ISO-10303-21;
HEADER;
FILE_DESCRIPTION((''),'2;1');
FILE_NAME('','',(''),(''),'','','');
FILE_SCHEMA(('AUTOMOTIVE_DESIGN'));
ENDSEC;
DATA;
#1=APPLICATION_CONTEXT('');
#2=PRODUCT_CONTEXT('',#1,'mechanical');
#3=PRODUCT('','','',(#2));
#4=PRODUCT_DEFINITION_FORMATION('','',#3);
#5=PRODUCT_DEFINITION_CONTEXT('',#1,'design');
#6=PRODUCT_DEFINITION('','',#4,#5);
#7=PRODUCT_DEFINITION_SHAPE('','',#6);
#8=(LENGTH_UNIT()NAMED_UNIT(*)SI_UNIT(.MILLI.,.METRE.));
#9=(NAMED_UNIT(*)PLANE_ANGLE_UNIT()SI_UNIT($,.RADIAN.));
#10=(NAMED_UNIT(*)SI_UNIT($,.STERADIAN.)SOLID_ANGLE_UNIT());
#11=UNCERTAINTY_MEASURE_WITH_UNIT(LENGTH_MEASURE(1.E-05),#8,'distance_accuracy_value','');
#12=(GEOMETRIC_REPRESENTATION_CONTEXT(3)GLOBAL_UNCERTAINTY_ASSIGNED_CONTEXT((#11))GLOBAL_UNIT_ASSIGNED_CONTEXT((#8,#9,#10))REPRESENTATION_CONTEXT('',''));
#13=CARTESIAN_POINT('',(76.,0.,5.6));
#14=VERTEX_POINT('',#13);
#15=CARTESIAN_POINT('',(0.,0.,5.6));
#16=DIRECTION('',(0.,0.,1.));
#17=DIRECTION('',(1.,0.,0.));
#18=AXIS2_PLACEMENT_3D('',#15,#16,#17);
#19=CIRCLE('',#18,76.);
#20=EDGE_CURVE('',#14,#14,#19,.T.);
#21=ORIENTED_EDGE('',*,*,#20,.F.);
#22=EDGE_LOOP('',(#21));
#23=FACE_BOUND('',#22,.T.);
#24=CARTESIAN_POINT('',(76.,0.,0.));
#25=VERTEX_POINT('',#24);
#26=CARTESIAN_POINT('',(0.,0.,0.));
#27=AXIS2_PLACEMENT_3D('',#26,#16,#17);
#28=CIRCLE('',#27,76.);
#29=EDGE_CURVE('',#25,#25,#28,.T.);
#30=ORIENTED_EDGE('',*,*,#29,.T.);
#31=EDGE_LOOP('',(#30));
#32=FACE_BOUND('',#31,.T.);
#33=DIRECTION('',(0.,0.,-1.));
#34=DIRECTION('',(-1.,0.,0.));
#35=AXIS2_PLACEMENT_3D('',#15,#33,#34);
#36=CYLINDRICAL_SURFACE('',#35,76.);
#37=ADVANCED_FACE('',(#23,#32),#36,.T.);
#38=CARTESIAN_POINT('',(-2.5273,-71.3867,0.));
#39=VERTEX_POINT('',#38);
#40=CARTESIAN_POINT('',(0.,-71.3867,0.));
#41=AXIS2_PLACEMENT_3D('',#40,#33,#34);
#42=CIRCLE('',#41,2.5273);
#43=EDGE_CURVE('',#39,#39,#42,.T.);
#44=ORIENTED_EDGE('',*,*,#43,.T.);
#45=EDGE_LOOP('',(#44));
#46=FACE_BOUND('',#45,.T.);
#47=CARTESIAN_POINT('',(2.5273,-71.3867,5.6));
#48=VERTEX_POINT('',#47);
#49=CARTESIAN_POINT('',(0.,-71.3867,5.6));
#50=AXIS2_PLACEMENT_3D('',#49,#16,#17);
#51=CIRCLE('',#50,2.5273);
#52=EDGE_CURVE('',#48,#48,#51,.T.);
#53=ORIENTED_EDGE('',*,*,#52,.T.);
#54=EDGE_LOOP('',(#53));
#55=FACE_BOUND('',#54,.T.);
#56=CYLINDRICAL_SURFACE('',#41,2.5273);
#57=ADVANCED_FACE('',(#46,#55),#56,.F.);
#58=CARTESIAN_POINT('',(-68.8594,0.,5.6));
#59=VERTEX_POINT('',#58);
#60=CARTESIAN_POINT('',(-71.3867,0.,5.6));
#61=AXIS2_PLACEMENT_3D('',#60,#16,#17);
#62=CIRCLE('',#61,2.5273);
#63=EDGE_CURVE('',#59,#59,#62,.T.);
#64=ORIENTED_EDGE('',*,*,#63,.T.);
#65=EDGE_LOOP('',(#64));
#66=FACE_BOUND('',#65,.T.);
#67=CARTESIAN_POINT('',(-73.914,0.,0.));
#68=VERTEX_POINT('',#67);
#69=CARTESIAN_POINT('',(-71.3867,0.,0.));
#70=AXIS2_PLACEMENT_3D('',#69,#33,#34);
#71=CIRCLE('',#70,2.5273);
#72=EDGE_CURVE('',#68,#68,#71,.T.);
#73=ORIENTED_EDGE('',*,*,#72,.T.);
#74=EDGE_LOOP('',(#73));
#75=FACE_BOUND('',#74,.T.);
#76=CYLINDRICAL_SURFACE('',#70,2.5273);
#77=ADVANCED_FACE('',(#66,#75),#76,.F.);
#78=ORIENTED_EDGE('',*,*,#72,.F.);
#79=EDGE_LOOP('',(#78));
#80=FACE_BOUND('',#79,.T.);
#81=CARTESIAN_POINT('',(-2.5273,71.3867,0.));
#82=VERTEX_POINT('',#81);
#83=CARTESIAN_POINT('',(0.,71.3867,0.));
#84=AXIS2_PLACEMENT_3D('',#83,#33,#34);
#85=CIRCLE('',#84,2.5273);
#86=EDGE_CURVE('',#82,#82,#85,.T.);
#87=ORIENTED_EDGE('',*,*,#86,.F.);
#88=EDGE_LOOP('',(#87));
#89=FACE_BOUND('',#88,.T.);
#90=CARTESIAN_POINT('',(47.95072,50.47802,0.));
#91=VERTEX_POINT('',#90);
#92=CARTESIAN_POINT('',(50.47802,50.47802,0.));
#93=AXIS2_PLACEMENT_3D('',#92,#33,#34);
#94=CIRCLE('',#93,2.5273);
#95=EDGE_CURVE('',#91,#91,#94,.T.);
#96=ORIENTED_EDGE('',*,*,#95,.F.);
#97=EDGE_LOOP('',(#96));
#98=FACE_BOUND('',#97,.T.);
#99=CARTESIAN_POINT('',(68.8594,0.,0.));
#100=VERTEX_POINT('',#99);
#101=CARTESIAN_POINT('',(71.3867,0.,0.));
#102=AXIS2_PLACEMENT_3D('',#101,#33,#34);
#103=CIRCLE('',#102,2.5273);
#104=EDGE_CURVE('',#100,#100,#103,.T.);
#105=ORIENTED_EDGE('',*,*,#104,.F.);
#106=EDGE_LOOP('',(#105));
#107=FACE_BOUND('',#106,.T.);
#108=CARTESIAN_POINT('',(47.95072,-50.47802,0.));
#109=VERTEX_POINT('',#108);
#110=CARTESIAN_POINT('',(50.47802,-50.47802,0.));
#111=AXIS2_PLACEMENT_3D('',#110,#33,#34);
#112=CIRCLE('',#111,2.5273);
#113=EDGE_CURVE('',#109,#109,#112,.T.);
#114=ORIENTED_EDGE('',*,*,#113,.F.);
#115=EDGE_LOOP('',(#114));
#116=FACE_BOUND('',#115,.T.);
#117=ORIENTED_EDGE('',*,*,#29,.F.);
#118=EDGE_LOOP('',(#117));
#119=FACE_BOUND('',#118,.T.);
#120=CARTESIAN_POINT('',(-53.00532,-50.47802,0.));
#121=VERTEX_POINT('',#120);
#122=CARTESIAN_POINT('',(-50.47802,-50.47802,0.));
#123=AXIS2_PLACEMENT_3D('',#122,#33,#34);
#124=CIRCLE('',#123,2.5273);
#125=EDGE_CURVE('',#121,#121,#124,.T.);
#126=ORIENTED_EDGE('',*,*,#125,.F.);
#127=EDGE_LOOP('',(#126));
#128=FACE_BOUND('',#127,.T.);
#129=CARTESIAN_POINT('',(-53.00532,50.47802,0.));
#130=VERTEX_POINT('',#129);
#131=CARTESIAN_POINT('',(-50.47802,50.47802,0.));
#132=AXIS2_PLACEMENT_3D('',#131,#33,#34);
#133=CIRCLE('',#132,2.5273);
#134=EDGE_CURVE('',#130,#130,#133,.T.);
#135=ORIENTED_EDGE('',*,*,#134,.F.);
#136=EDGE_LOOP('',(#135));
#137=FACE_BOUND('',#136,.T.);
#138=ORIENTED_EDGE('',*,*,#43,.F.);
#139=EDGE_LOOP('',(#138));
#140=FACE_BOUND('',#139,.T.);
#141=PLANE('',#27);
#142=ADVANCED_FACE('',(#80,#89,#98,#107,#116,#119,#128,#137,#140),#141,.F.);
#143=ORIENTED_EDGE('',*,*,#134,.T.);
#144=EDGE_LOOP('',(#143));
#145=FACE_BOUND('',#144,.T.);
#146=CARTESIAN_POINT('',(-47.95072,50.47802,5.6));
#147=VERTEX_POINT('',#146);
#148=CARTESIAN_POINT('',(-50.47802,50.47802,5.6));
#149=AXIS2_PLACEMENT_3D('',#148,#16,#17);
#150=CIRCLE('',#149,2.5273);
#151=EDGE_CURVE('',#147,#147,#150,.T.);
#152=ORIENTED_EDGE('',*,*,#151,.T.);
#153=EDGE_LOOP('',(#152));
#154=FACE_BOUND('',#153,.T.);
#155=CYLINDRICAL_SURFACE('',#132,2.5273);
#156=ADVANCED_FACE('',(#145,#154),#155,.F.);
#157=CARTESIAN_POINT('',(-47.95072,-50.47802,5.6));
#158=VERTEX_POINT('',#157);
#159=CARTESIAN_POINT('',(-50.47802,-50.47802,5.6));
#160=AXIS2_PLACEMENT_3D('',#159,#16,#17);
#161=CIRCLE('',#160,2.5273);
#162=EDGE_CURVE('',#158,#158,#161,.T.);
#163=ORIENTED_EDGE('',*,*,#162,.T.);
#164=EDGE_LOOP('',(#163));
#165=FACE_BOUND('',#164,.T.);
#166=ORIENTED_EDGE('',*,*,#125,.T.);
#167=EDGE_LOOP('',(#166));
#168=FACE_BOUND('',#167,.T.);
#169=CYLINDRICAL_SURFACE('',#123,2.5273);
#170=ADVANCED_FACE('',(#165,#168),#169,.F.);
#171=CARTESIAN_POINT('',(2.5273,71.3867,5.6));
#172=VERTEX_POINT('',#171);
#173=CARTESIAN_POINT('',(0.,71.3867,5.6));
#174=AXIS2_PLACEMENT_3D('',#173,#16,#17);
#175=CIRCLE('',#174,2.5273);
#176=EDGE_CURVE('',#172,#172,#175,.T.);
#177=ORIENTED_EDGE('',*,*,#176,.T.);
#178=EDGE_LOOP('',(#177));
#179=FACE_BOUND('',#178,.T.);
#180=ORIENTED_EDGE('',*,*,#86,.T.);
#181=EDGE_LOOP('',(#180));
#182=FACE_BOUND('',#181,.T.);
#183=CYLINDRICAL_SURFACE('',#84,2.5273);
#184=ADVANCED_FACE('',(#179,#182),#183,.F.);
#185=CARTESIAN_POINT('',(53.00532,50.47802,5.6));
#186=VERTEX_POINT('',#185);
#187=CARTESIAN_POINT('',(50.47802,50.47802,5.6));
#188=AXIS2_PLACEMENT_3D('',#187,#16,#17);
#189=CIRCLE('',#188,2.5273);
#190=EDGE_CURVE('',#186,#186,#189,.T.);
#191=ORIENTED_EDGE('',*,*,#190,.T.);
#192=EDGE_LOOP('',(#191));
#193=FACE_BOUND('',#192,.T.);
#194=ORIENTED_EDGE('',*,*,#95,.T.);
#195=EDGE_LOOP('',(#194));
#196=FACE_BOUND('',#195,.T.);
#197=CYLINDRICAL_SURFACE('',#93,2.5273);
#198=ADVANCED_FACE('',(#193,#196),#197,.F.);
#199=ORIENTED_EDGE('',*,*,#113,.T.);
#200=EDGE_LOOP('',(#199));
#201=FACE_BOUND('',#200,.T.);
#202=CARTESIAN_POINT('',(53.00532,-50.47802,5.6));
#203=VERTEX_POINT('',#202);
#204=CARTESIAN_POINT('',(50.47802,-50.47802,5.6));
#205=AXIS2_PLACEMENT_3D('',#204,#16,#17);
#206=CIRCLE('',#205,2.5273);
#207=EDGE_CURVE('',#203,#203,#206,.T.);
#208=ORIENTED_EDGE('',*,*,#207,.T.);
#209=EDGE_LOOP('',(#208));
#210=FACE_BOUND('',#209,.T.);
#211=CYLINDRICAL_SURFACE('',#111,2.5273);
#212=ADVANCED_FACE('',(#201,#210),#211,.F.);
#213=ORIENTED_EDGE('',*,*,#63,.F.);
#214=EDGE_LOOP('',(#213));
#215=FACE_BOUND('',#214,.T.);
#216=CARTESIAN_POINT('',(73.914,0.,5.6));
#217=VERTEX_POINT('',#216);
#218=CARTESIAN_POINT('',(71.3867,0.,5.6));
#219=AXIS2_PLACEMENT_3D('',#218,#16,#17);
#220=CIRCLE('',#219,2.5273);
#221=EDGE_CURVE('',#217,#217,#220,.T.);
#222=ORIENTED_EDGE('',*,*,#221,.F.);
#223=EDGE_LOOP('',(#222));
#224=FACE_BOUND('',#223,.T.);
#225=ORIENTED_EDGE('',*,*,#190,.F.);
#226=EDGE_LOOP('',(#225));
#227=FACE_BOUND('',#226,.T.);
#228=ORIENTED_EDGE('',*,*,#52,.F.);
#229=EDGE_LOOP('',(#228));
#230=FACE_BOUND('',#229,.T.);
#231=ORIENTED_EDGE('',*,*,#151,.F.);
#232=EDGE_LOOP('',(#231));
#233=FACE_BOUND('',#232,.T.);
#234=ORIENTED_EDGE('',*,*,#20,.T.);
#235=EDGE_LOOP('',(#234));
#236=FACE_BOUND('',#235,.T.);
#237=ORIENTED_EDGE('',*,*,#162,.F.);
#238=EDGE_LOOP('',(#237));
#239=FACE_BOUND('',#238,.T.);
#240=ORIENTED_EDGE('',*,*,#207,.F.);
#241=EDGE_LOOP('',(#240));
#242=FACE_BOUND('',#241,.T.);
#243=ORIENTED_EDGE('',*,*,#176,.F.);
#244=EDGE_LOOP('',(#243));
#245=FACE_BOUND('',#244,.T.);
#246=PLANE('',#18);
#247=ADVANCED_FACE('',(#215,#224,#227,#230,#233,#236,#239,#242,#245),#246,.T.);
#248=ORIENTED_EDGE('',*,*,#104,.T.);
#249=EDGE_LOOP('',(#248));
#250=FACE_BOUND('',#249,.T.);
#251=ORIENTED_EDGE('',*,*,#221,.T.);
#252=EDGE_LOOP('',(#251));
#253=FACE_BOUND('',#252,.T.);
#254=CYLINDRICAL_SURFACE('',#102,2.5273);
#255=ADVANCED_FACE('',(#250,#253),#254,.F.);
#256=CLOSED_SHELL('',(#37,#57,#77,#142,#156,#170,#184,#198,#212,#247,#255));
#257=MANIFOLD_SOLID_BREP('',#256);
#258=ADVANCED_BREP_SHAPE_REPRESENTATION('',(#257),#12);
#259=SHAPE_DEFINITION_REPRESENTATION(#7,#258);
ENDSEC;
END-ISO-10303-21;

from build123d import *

# Parameters (mm, degrees)
SKETCH1_R                      = 76
BOSS_EXTRUDE1_DEPTH            = 5.6
F_8_0_199_DIAMETER_HOLE1_D     = 5.0546
F_8_0_199_DIAMETER_HOLE1_DEPTH = 8.481444958
F_8_0_199_DIAMETER_HOLE1_TIP   = 1.518555042


with BuildPart() as part:
    # Sketch1 → Boss-Extrude1 (new body)
    with BuildSketch(Plane.XY):
        Circle(SKETCH1_R)
    extrude(amount=BOSS_EXTRUDE1_DEPTH)

    # #8 (0.199) Diameter Hole1
    with Locations(Plane(origin=(0, 0, 0), x_dir=(-1, 0, 0), z_dir=(0, 0, -1))):
        with Locations((-50.478019657, 50.478019657), (0, 71.3867), (50.478019657, 50.478019657), (71.3867, 0), (50.478019657, -50.478019657), (0, -71.3867), (-50.478019657, -50.478019657), (-71.3867, 0)):
            Hole(F_8_0_199_DIAMETER_HOLE1_D / 2, depth=F_8_0_199_DIAMETER_HOLE1_DEPTH)
            with Locations((0, 0, -(F_8_0_199_DIAMETER_HOLE1_DEPTH + F_8_0_199_DIAMETER_HOLE1_TIP / 2))):  # 118° drill point
                Cone(0, F_8_0_199_DIAMETER_HOLE1_D / 2, F_8_0_199_DIAMETER_HOLE1_TIP, mode=Mode.SUBTRACT)


solid = part.part
